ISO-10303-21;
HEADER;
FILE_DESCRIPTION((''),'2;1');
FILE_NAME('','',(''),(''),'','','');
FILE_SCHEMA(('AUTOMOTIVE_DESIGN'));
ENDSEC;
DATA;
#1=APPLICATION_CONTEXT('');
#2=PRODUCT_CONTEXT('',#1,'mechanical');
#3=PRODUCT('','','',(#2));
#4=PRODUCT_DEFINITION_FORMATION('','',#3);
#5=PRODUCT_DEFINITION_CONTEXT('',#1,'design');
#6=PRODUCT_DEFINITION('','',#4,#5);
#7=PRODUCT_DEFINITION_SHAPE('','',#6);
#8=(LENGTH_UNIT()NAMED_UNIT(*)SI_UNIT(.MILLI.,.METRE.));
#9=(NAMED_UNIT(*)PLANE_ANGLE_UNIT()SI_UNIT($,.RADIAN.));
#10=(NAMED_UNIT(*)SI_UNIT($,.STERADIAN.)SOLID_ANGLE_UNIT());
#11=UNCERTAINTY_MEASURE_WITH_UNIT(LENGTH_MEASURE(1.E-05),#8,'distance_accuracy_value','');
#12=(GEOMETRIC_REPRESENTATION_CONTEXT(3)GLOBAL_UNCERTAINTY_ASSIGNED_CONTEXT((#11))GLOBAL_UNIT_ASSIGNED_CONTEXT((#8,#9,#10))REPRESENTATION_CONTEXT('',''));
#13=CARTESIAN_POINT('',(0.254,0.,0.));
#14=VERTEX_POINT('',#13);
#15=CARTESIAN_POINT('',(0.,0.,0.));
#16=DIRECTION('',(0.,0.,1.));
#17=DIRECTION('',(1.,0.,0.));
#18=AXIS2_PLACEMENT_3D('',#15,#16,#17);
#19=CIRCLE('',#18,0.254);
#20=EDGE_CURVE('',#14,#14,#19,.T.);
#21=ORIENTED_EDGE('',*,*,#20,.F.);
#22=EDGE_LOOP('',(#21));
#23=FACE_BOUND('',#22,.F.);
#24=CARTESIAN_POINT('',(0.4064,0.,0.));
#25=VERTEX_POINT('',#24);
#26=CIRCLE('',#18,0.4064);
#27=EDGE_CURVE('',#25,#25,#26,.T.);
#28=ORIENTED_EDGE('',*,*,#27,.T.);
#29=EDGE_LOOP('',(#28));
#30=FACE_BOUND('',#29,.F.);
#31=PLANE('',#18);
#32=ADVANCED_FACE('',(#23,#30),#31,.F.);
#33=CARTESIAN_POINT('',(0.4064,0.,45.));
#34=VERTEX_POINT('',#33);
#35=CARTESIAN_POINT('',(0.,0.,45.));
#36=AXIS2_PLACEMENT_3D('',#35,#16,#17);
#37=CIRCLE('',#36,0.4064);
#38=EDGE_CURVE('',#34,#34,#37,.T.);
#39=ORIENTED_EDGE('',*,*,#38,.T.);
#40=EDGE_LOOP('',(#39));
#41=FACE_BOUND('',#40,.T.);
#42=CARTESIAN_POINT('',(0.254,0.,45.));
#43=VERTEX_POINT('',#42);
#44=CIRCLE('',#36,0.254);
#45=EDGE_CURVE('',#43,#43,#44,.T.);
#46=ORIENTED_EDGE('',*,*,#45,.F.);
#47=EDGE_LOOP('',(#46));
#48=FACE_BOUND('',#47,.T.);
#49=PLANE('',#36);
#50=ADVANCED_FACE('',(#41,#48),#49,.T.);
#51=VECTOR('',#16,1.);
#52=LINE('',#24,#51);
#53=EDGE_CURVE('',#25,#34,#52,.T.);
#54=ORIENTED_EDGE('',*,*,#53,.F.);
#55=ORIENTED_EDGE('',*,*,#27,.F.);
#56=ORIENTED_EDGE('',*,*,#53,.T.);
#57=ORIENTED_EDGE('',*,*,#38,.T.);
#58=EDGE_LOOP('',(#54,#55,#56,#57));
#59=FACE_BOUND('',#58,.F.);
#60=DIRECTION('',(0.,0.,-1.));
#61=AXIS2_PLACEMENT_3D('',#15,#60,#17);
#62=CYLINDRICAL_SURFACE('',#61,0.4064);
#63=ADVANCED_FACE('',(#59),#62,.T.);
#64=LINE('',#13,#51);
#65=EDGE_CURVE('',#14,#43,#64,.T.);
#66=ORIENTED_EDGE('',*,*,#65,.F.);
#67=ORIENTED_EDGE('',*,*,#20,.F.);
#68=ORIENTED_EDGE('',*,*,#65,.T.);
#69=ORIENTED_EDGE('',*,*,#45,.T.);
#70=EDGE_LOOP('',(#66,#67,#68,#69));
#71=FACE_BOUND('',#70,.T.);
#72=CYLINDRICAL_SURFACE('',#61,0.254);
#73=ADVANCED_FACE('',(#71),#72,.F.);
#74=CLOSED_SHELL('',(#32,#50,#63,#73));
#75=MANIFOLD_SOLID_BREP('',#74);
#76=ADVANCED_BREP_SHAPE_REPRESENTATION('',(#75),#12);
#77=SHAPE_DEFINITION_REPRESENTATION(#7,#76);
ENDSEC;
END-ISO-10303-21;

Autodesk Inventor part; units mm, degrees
ref_plane "YZ Plane" through (0, 0, 0) normal (1, 0, 0) x (0, 1, 0)
ref_plane "XZ Plane" through (0, 0, 0) normal (0, 1, 0) x (-1, 0, 0)
ref_plane "XY Plane" through (0, 0, 0) normal (0, 0, 1) x (1, 0, 0)
sketch "Sketch1" plane through (0, 0, 0) normal (0, 0, 1) x (1, 0, 0)
  circle A0 centre (0, 0) radius 0.254
  circle A1 centre (0, 0) radius 0.4064
  dimension "d0" = 0.508
  dimension "d1" = 0.8128
extrude "Extrusion1" add sketch "Sketch1" along normal blind 45
equation "\"d2\" = OCTd0 - OCTd1"
equation "\"OCToffset\" = 14.38"
equation "\"lOCTprobeNom\" = 58.38"
equation "\"OCTd0\" = 65"
equation "\"OCTd1\" = 20"
equation "\"lAdapter\" = 8.38"
equation "\"dTop\" = 6"
equation "\"lOCTprobeTotal\" = 64.38"
properties part number "OCT_tubing_21G"
